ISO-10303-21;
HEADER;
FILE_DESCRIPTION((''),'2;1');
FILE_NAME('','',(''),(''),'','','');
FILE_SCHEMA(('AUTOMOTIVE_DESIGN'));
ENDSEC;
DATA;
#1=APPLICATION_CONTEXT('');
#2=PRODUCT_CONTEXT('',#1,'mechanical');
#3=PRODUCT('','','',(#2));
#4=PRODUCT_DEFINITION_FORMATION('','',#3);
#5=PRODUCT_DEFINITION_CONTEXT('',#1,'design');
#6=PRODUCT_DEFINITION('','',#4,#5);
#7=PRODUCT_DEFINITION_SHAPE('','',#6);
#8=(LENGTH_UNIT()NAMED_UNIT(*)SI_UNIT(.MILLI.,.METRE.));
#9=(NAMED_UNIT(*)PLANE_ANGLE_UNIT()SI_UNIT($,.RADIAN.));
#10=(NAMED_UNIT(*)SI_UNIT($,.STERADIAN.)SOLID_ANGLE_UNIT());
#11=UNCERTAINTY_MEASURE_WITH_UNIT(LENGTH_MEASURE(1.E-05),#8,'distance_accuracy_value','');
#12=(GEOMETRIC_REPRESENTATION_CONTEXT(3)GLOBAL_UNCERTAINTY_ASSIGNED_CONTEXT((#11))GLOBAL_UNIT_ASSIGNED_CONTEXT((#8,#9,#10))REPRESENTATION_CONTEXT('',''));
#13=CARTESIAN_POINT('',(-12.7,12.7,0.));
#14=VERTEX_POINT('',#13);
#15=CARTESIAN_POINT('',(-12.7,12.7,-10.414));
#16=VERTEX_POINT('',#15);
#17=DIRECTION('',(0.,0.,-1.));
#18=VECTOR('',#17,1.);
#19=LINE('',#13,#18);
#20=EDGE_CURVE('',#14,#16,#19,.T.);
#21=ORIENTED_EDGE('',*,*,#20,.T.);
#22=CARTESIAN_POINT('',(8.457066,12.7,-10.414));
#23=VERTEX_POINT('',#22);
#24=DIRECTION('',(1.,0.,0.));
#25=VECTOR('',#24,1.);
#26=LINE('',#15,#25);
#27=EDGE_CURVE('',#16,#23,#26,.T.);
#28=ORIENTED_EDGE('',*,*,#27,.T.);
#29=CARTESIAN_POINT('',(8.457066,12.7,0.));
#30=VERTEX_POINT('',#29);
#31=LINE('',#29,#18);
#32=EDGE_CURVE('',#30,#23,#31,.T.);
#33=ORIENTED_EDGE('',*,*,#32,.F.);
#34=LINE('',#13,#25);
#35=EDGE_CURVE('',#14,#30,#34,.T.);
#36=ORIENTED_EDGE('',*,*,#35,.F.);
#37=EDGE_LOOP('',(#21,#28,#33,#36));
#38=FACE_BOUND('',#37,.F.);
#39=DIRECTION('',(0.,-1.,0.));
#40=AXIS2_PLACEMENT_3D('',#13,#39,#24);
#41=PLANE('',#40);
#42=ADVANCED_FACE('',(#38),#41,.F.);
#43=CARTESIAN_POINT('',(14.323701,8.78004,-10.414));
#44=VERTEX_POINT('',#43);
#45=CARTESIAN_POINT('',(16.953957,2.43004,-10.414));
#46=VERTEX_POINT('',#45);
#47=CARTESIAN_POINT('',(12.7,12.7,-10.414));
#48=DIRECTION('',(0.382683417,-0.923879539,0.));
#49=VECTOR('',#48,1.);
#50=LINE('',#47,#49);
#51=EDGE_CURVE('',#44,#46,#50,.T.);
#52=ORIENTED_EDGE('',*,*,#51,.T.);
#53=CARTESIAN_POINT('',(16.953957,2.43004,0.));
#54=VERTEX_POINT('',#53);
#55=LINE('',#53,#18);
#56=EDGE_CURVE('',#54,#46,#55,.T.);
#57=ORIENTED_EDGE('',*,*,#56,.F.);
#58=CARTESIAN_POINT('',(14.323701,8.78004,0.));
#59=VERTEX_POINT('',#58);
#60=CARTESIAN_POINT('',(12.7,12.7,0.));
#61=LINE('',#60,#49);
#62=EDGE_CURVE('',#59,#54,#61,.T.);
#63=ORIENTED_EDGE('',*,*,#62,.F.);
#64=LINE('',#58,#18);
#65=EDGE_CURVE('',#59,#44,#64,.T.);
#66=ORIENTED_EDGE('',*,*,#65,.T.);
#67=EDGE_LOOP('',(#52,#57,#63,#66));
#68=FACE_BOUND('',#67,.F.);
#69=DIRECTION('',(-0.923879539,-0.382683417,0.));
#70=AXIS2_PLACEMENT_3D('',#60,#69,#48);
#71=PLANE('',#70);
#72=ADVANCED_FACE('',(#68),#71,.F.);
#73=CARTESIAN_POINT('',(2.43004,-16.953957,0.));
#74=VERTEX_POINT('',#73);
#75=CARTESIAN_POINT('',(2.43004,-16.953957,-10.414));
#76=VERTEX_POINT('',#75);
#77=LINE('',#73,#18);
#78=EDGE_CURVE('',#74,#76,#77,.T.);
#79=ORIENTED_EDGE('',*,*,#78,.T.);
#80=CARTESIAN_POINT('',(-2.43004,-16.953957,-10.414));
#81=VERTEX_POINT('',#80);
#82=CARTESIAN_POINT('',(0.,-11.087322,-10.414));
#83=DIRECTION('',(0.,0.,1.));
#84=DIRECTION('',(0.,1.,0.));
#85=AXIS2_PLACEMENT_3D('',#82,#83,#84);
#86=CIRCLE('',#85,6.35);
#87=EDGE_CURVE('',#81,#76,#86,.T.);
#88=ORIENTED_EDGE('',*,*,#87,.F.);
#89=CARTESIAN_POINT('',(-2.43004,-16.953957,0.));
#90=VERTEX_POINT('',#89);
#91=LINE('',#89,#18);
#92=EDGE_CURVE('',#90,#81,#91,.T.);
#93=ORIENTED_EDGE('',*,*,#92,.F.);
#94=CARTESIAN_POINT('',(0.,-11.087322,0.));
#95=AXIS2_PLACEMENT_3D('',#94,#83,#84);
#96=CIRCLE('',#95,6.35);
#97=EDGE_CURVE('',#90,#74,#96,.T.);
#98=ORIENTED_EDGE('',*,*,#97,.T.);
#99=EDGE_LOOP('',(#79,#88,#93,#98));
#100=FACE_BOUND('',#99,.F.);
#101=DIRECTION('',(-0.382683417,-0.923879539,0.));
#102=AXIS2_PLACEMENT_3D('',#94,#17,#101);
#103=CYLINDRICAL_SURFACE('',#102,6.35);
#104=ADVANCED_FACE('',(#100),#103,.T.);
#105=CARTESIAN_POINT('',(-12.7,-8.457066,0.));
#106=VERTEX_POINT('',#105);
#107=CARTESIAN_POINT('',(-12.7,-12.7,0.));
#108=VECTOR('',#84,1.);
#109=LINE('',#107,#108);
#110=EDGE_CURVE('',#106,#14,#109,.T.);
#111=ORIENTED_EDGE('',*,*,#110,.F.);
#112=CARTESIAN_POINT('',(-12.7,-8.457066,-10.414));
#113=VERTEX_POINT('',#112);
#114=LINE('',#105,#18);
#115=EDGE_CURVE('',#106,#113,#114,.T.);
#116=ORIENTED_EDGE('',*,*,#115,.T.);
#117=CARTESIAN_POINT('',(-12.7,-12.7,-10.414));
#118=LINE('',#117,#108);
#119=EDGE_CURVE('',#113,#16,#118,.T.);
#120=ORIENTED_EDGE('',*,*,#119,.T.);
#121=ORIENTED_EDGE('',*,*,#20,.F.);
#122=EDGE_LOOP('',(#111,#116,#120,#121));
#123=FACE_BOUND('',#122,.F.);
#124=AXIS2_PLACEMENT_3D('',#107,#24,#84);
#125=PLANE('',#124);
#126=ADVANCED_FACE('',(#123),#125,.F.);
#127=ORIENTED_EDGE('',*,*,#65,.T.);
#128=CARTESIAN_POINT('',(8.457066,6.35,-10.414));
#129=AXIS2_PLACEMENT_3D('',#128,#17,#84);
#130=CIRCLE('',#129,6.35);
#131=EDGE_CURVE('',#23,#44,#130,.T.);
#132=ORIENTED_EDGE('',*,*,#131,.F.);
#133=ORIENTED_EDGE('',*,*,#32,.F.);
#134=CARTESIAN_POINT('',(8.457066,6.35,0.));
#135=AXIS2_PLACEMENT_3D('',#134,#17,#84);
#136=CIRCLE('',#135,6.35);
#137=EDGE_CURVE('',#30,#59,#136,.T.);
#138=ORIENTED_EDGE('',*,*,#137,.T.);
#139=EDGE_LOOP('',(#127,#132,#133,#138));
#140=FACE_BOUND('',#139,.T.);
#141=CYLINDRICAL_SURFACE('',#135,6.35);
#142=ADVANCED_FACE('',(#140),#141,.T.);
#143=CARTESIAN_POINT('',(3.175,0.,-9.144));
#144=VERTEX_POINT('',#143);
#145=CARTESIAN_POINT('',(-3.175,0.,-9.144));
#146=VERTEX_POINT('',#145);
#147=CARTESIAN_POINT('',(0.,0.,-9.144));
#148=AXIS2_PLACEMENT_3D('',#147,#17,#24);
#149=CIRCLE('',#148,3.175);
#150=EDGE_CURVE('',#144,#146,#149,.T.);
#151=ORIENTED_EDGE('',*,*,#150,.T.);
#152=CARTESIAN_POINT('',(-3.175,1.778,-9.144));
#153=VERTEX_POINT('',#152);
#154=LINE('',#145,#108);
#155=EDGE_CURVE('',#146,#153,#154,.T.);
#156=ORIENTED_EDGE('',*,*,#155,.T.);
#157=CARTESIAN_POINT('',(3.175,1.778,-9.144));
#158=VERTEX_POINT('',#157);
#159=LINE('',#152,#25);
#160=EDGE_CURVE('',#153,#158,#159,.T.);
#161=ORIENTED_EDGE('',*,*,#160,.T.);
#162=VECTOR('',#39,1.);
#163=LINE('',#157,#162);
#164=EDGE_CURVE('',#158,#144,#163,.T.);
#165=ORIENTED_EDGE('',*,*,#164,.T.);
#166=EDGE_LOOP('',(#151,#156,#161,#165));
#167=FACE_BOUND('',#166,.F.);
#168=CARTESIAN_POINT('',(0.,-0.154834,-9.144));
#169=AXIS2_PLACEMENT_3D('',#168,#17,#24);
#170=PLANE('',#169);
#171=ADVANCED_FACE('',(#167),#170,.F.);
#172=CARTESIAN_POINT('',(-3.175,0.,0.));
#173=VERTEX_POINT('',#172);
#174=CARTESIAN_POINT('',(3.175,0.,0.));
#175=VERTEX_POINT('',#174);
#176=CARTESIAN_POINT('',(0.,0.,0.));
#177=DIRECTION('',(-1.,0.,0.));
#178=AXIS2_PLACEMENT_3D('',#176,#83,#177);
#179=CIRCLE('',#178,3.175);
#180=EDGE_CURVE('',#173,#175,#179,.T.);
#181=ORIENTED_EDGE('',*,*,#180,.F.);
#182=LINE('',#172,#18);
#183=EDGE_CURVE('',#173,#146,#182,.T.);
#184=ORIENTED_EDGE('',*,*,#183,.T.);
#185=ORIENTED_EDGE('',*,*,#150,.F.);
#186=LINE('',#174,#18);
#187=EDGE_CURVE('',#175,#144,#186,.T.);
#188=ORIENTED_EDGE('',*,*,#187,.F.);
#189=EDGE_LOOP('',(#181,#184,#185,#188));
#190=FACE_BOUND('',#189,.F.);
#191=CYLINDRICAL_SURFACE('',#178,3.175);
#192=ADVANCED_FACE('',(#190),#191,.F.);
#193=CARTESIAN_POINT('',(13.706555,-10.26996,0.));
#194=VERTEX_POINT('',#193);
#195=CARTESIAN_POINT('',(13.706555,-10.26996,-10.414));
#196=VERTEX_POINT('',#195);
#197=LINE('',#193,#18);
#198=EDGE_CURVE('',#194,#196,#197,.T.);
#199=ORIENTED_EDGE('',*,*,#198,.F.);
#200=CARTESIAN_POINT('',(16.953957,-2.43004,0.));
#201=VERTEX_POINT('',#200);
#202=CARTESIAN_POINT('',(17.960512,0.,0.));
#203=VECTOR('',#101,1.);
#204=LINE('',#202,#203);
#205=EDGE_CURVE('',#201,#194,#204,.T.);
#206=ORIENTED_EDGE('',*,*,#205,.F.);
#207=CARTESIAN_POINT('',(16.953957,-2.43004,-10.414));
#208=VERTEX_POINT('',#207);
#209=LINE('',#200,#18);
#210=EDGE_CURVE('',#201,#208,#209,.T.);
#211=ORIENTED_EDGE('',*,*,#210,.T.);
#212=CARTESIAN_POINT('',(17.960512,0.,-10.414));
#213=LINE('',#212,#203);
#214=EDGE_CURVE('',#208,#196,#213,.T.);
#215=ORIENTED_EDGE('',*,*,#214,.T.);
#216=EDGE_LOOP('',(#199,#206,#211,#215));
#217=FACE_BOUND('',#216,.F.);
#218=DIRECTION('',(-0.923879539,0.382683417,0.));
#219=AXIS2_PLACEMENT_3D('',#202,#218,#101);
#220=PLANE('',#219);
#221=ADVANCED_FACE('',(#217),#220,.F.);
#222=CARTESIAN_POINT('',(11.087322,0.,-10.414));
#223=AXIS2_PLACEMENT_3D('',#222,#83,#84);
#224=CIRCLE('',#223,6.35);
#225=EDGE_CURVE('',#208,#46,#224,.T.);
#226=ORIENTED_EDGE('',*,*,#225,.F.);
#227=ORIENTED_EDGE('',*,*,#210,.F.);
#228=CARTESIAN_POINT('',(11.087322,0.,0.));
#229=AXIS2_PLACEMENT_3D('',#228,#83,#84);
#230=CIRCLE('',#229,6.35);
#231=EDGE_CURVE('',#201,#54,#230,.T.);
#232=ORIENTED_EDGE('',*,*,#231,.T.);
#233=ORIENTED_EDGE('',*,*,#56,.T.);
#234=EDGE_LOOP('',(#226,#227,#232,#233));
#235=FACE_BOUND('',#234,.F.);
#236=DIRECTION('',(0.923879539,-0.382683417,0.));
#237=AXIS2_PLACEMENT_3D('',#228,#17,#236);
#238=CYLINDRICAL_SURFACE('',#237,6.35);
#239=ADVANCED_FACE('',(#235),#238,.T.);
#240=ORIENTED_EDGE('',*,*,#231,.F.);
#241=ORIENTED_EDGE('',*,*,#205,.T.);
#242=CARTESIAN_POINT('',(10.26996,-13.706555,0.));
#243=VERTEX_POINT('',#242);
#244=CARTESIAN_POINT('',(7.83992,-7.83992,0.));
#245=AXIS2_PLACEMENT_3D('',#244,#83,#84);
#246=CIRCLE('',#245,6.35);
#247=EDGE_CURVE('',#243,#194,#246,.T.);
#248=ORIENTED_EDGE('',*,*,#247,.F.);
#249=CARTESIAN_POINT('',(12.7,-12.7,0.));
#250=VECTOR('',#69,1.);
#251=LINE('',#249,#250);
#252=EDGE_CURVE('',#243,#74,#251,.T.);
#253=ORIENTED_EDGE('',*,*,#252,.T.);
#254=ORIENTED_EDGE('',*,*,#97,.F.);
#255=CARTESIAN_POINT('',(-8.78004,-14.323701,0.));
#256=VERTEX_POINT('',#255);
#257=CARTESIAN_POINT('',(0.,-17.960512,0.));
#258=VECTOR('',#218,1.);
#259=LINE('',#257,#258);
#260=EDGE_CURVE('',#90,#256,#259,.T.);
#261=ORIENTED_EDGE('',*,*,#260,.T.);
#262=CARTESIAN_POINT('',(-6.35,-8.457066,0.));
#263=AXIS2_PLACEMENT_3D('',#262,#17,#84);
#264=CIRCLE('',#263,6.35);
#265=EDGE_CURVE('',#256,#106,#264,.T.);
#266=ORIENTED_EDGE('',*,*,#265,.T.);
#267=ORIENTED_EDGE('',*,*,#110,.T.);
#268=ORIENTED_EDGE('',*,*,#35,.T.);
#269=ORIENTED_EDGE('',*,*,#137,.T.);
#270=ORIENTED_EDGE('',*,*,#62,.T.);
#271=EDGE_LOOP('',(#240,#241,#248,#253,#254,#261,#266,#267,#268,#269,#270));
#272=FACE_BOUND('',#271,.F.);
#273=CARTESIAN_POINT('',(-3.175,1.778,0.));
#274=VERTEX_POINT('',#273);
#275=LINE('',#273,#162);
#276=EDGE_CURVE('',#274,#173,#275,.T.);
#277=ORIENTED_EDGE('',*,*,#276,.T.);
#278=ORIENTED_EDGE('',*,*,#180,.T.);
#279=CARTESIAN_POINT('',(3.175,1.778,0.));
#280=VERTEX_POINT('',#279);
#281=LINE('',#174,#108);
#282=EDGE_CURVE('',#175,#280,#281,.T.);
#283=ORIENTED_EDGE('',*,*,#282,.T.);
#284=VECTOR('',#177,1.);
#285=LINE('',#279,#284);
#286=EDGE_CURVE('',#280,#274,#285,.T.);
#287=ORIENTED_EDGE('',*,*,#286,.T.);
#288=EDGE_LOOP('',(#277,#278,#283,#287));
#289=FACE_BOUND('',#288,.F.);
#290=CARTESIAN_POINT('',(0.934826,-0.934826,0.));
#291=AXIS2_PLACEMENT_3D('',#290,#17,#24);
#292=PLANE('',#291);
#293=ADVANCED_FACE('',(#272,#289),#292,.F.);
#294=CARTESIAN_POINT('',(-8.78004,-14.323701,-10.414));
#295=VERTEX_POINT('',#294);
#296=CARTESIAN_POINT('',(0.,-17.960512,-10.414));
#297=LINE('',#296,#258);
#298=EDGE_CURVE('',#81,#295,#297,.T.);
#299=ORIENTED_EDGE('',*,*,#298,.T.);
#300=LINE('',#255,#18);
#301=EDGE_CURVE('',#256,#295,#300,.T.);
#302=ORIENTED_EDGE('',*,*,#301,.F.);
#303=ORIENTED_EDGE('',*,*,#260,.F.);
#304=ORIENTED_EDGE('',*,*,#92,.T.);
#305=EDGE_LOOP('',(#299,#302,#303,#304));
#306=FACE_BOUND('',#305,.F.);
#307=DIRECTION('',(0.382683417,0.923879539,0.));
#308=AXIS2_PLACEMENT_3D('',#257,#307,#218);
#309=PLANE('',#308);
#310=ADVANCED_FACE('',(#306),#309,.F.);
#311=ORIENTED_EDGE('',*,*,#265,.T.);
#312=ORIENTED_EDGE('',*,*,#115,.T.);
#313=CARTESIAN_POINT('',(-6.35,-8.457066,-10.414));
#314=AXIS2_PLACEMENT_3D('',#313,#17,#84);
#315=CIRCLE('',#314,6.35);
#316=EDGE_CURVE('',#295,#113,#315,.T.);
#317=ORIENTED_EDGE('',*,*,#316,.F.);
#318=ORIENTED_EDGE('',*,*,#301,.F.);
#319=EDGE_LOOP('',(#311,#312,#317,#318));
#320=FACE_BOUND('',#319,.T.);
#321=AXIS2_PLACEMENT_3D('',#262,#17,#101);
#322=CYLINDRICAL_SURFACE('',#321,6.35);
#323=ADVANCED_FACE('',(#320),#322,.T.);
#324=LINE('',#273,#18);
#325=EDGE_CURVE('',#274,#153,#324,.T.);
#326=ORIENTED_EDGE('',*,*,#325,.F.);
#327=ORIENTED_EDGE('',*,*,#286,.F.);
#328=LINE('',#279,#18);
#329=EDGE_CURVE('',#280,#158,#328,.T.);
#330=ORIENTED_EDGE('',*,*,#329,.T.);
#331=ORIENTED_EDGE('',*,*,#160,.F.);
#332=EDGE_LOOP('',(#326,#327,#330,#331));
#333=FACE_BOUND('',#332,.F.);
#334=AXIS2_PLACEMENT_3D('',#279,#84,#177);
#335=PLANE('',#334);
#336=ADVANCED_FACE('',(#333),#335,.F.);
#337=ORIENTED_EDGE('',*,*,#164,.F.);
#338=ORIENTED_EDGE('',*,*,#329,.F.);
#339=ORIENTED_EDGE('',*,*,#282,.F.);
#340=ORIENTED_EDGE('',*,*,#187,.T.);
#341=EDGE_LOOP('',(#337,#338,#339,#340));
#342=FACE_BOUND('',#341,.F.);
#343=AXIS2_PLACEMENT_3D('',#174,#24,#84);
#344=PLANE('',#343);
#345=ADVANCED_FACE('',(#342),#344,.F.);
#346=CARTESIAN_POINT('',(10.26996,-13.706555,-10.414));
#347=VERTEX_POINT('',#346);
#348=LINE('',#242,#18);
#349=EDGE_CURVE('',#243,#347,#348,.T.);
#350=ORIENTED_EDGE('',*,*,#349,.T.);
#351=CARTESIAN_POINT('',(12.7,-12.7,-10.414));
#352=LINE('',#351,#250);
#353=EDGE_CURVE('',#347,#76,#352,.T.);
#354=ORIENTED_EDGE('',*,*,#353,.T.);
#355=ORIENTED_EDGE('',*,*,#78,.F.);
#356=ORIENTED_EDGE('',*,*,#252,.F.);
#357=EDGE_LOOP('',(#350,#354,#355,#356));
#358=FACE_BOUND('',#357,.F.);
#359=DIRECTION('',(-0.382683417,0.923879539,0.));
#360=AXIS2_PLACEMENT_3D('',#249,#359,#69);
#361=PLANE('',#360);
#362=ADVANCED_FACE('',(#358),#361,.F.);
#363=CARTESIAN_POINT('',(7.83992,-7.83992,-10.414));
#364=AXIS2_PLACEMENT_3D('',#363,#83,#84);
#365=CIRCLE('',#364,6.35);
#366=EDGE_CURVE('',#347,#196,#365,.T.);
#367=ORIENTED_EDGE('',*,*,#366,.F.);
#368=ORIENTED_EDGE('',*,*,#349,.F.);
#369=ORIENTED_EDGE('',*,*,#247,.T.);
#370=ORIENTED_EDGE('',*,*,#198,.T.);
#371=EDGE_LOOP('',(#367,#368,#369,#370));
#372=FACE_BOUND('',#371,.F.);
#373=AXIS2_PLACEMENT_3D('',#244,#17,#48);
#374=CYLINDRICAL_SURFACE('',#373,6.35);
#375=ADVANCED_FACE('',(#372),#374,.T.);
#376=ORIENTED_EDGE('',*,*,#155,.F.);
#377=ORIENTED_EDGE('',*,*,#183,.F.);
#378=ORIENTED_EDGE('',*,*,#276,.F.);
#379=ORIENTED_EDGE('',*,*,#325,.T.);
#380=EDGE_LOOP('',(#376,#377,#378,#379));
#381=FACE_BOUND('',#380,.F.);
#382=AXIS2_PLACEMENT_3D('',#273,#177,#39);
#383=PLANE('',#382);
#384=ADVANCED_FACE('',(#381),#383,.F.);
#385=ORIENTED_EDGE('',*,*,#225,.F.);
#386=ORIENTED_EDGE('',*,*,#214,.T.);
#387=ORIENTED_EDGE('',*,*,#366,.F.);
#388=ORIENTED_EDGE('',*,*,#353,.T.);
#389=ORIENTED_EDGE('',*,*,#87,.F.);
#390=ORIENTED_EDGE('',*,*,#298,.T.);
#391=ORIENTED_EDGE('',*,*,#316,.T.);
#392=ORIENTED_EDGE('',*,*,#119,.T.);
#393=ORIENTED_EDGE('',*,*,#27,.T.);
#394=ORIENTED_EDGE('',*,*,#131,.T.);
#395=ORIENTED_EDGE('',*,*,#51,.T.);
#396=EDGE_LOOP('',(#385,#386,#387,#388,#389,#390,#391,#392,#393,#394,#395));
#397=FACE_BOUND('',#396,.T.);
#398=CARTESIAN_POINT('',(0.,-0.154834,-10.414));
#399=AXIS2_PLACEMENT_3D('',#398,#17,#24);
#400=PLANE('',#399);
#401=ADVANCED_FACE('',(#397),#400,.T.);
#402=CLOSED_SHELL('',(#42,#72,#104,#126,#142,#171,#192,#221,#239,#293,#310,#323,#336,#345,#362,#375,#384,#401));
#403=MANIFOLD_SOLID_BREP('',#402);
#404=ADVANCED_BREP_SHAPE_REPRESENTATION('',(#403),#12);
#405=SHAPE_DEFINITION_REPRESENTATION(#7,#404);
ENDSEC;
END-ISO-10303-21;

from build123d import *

# Parameters (mm, degrees)
F1_DEPTH = 10.414
F3_DEPTH = 1.27
F4_R     = 6.35
F6_ANGLE = 180


with BuildPart() as f1:
    # F0 (on Top) → F1 (new body)
    with BuildSketch(Plane.XY):
        Polygon((0, 17.960512), (-12.7, 12.7), (-12.7, -12.7), (12.7, -12.7), (17.960512, 0), (12.7, 12.7), align=None)
        with BuildLine():
            ThreePointArc((-3.175, 0), (0, 3.175), (3.175, 0))
            Line((3.175, 0), (3.175, -1.778))
            Line((3.175, -1.778), (-3.175, -1.778))
            Line((-3.175, -1.778), (-3.175, 0))
        make_face(mode=Mode.SUBTRACT)
    extrude(amount=F1_DEPTH)

    # F2 (on face) → F3 (join)
    with BuildSketch(Plane.XY.offset(10.414)):
        with BuildLine():
            ThreePointArc((3.175, 0), (0, 3.175), (-3.175, 0))
            Line((-3.175, 0), (-3.175, -1.778))
            Line((-3.175, -1.778), (3.175, -1.778))
            Line((3.175, -1.778), (3.175, 0))
        make_face()
    extrude(amount=-F3_DEPTH)

    # F4
    f4_edges = [f1.edges().sort_by_distance(p)[0] for p in [
        (12.7, -12.7, 5.207),
        (17.960512, 0, 5.207),
        (12.7, 12.7, 5.207),
        (0, 17.960512, 5.207),
        (-12.7, 12.7, 5.207),
    ]]
    fillet(f4_edges, radius=F4_R)


with BuildPart() as f1_1:
    # F6: moved
    add(f1.part.rotate(Axis((10.708487, 0, 0), (1, 0, 0)), F6_ANGLE))


solid = f1_1.part
